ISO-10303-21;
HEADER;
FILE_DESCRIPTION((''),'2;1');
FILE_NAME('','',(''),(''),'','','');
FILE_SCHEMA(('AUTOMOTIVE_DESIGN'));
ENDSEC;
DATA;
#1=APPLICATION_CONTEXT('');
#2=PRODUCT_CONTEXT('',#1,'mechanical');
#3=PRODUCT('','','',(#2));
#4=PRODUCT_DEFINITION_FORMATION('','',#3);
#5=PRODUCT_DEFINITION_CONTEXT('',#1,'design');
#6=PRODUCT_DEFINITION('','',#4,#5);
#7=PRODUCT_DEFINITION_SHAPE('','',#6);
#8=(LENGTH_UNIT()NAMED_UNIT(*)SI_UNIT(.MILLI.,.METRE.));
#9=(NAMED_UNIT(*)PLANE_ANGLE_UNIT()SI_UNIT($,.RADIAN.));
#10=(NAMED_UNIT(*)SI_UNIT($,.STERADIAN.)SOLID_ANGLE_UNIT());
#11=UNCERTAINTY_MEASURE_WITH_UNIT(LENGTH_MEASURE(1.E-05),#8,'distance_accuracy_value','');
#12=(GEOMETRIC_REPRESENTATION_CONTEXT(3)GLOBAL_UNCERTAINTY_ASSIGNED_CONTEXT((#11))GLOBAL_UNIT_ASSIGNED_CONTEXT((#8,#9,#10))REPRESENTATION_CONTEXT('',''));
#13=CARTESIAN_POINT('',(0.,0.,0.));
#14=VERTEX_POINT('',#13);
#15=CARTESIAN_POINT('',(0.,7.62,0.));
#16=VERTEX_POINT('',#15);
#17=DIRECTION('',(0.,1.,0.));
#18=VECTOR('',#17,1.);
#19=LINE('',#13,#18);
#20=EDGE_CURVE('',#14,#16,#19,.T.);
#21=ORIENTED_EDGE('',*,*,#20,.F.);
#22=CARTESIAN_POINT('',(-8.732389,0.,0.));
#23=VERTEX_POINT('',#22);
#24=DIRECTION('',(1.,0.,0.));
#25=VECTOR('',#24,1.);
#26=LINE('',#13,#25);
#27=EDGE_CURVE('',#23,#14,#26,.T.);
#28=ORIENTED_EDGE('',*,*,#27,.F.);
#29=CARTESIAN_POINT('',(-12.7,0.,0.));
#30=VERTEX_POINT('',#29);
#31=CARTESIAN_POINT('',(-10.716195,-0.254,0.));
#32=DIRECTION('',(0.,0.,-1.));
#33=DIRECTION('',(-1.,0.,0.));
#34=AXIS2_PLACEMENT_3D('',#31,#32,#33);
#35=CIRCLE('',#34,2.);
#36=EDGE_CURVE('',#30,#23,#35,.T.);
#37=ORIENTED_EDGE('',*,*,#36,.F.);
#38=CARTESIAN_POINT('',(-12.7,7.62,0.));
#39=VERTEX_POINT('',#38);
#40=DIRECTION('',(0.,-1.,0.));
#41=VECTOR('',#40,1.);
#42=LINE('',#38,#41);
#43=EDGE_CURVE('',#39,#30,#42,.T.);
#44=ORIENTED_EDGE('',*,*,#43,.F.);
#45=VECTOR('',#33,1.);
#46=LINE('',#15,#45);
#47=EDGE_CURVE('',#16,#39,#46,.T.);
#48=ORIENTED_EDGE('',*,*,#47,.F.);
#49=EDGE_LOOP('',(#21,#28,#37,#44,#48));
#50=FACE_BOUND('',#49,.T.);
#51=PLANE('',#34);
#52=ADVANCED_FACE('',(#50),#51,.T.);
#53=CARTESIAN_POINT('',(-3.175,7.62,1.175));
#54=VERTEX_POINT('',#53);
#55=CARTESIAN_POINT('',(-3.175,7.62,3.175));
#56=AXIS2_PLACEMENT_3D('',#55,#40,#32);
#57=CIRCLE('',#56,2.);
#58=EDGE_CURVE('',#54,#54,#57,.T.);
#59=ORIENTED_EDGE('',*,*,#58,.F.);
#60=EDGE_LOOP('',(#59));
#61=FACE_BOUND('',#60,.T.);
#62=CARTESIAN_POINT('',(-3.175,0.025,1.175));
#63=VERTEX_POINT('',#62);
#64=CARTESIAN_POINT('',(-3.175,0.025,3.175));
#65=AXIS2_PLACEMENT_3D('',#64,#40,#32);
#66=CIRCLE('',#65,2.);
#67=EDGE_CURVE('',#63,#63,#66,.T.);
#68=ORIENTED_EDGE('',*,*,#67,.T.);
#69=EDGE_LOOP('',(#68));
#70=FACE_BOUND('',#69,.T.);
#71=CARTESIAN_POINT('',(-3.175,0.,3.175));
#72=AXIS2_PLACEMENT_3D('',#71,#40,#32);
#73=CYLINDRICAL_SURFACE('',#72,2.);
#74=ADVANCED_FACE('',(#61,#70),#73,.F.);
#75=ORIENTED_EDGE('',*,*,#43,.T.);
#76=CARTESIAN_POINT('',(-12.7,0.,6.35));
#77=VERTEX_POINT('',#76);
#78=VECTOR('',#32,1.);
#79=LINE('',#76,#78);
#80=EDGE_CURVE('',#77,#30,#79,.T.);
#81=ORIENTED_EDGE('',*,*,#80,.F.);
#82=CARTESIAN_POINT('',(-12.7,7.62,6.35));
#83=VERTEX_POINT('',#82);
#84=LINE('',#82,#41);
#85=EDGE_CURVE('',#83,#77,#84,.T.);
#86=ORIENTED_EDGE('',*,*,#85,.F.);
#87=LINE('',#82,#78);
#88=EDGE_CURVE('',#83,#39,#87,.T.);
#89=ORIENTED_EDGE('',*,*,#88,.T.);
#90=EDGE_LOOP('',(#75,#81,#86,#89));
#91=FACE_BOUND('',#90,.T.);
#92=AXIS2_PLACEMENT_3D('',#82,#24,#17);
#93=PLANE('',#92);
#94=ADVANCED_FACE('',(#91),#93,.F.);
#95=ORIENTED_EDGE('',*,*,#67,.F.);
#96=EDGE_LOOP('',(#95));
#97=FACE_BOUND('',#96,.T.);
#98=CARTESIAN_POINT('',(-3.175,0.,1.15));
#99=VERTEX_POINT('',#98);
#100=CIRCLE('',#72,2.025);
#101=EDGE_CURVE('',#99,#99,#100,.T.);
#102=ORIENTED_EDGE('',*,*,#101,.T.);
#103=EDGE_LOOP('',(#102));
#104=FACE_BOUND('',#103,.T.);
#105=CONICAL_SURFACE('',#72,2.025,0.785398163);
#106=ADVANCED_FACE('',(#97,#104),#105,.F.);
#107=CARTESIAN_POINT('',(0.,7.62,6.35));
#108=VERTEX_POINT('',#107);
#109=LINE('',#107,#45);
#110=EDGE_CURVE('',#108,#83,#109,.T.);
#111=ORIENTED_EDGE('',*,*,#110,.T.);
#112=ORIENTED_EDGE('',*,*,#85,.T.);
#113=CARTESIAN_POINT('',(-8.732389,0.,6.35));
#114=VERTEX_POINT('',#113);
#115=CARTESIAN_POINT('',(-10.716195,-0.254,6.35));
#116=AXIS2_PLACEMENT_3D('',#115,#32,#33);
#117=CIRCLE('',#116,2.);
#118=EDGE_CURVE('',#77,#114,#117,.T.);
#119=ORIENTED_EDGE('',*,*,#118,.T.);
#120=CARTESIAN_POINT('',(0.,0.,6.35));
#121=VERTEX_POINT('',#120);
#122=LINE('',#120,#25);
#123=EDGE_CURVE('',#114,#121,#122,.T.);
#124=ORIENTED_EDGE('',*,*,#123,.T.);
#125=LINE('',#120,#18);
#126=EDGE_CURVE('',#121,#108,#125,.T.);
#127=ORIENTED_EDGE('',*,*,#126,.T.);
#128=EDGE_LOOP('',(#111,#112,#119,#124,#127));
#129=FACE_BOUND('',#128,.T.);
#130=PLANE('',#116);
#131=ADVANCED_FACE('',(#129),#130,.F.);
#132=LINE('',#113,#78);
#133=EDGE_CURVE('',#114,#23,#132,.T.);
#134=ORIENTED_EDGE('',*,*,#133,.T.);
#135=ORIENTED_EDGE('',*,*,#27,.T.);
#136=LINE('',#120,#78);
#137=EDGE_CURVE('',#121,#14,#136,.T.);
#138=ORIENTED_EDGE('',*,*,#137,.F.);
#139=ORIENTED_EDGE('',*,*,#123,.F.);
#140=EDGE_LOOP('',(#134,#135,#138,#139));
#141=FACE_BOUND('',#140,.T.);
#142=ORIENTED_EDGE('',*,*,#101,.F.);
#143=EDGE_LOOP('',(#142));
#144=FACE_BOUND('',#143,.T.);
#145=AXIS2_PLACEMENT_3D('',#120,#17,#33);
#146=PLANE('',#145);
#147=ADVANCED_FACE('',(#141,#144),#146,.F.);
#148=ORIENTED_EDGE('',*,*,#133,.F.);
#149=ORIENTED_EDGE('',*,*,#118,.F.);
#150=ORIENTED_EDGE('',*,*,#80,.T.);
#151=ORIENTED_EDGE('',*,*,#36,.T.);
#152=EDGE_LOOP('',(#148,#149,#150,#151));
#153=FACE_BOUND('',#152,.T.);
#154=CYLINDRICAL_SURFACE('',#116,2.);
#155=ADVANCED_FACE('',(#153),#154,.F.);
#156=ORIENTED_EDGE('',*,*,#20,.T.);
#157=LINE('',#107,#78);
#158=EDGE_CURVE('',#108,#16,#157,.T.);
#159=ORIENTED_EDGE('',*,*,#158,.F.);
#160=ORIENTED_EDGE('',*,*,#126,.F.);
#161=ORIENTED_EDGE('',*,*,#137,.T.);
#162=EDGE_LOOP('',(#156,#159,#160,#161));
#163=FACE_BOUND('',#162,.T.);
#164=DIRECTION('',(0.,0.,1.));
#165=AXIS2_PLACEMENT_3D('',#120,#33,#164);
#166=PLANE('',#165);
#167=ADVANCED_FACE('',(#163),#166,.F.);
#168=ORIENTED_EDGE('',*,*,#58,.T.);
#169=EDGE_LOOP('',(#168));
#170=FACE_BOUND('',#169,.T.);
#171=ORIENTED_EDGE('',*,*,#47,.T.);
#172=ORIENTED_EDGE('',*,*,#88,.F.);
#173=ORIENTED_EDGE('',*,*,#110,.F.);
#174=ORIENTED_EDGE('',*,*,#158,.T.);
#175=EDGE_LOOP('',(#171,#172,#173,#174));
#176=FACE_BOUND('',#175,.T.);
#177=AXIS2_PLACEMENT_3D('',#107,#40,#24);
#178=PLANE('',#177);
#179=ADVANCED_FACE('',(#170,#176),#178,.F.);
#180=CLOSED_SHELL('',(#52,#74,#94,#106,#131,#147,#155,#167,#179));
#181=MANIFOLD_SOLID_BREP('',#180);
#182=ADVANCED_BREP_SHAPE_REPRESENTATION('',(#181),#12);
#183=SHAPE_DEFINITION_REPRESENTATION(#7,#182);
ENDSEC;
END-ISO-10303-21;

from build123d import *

# Parameters (mm, degrees)
BOSS_EXTRUDE1_DEPTH             = 6.35
F_4_0MM_DOWEL_HOLE1_D           = 4
F_4_0MM_DOWEL_HOLE1_CSINK_D     = 4.05
F_4_0MM_DOWEL_HOLE1_CSINK_ANGLE = 90


with BuildPart() as part:
    # Sketch1 → Boss-Extrude1 (new body)
    with BuildSketch(Plane.XY):
        with BuildLine():
            Line((0, 0), (-8.732389132, 0))
            ThreePointArc((-8.732389132, 0), (-10.716194566, 1.746), (-12.7, 0))
            Line((-12.7, 0), (-12.7, 7.62))
            Line((-12.7, 7.62), (0, 7.62))
            Line((0, 7.62), (0, 0))
        make_face()
    extrude(amount=BOSS_EXTRUDE1_DEPTH)

    # Ø4.0mm Dowel Hole1 (through all)
    with Locations(Plane(origin=(0, 0, 0), x_dir=(-1, 0, 0), z_dir=(0, -1, 0))):
        with Locations((3.175, -3.175)):
            CounterSinkHole(F_4_0MM_DOWEL_HOLE1_D / 2, F_4_0MM_DOWEL_HOLE1_CSINK_D / 2, counter_sink_angle=F_4_0MM_DOWEL_HOLE1_CSINK_ANGLE)


solid = part.part
